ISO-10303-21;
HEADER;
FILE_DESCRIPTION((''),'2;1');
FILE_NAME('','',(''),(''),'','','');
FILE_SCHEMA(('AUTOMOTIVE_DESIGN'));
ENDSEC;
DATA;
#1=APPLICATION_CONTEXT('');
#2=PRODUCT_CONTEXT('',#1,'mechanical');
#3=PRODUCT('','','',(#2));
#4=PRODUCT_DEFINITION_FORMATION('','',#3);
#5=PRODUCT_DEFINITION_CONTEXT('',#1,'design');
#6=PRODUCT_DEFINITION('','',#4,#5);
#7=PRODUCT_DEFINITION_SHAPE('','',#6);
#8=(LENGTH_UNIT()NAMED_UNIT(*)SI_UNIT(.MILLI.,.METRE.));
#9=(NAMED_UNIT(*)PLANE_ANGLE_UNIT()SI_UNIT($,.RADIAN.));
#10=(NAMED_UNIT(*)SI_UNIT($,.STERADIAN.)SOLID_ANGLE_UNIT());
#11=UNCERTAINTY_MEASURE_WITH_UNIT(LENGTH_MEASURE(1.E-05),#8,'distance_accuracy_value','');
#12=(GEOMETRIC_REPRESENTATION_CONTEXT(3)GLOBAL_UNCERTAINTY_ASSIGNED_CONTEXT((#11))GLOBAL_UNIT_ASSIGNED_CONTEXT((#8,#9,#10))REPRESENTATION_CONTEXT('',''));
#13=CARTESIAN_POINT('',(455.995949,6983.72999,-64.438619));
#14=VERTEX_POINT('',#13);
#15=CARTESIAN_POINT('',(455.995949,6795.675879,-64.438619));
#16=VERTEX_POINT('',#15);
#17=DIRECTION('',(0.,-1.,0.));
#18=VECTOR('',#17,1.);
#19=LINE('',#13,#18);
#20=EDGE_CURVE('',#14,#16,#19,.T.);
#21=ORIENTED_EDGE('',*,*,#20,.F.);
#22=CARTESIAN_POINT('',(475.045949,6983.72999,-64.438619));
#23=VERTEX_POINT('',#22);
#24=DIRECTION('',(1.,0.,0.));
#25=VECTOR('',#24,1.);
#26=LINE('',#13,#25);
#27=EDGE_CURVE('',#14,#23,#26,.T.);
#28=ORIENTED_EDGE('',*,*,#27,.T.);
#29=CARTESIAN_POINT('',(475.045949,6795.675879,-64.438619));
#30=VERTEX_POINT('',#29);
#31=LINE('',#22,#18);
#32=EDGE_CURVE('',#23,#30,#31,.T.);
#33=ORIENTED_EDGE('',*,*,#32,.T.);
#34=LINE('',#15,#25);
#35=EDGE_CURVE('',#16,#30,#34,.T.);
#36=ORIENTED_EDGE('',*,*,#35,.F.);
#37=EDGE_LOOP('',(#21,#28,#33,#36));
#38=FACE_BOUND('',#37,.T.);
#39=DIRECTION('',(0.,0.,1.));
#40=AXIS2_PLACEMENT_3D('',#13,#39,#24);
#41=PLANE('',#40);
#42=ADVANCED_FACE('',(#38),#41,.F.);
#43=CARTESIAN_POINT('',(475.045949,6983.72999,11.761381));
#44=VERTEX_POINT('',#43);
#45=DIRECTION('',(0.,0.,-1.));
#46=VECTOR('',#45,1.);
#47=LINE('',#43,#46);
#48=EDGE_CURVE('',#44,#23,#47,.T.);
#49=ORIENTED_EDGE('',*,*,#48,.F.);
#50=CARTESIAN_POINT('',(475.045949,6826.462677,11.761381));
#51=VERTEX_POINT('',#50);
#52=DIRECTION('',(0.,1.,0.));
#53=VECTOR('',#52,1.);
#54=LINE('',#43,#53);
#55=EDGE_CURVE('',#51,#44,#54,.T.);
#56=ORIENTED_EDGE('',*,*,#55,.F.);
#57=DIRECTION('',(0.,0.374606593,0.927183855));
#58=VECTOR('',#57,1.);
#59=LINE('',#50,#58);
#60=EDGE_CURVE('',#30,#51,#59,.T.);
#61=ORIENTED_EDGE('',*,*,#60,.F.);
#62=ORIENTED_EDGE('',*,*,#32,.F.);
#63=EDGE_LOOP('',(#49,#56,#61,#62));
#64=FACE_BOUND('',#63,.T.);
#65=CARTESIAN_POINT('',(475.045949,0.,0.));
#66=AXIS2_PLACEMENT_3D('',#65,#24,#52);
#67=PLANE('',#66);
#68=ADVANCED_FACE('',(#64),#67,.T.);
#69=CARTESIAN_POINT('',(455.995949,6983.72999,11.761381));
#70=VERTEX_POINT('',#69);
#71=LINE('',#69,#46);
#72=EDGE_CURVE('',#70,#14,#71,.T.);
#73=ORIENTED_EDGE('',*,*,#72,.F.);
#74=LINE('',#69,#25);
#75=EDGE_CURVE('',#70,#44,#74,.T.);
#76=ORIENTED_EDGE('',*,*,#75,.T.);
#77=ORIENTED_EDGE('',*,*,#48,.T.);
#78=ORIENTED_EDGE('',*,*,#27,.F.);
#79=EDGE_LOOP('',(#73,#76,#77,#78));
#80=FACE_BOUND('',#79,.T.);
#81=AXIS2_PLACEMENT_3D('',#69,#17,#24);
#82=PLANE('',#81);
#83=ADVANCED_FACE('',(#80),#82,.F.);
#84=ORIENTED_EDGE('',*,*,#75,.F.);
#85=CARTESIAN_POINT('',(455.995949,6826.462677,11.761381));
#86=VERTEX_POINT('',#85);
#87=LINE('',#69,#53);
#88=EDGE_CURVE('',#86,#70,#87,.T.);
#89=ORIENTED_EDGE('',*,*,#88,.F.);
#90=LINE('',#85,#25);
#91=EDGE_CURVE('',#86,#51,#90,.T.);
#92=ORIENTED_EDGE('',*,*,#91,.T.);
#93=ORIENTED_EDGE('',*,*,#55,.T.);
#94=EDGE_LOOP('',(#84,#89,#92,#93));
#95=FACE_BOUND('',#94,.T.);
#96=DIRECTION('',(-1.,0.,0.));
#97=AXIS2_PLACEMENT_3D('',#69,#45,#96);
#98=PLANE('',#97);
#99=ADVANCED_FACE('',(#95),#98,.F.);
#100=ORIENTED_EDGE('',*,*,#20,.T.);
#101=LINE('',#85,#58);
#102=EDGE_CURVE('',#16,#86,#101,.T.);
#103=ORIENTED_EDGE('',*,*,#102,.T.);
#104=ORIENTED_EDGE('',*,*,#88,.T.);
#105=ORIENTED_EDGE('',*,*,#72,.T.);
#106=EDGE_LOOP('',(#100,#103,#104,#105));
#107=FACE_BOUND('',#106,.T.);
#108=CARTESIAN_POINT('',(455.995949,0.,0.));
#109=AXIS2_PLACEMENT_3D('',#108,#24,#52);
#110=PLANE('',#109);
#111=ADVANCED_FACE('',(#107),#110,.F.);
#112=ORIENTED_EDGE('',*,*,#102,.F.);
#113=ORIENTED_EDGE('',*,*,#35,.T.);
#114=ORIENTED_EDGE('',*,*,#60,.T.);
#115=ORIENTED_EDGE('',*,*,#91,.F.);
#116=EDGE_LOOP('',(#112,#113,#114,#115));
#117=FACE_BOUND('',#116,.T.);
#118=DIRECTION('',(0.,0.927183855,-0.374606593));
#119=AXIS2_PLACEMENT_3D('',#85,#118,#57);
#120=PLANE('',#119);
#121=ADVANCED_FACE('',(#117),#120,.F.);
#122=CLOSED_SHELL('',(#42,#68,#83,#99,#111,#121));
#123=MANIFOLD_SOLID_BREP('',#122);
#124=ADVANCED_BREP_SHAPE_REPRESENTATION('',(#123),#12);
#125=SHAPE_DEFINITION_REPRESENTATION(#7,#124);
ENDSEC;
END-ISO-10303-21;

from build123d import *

# Parameters (mm, degrees)
BOSS_EXTRUDE1_DEPTH = 19.05


with BuildPart() as part:
    # Sketch2 → Boss-Extrude1 (new body)
    with BuildSketch(Plane.ZY.offset(-475.045949007)):
        Polygon((11.761380913, 6983.72999014), (-64.438619087, 6983.72999014), (-64.438619087, 6795.675878891), (11.761380913, 6826.4626773), align=None)
    extrude(amount=BOSS_EXTRUDE1_DEPTH)


solid = part.part
